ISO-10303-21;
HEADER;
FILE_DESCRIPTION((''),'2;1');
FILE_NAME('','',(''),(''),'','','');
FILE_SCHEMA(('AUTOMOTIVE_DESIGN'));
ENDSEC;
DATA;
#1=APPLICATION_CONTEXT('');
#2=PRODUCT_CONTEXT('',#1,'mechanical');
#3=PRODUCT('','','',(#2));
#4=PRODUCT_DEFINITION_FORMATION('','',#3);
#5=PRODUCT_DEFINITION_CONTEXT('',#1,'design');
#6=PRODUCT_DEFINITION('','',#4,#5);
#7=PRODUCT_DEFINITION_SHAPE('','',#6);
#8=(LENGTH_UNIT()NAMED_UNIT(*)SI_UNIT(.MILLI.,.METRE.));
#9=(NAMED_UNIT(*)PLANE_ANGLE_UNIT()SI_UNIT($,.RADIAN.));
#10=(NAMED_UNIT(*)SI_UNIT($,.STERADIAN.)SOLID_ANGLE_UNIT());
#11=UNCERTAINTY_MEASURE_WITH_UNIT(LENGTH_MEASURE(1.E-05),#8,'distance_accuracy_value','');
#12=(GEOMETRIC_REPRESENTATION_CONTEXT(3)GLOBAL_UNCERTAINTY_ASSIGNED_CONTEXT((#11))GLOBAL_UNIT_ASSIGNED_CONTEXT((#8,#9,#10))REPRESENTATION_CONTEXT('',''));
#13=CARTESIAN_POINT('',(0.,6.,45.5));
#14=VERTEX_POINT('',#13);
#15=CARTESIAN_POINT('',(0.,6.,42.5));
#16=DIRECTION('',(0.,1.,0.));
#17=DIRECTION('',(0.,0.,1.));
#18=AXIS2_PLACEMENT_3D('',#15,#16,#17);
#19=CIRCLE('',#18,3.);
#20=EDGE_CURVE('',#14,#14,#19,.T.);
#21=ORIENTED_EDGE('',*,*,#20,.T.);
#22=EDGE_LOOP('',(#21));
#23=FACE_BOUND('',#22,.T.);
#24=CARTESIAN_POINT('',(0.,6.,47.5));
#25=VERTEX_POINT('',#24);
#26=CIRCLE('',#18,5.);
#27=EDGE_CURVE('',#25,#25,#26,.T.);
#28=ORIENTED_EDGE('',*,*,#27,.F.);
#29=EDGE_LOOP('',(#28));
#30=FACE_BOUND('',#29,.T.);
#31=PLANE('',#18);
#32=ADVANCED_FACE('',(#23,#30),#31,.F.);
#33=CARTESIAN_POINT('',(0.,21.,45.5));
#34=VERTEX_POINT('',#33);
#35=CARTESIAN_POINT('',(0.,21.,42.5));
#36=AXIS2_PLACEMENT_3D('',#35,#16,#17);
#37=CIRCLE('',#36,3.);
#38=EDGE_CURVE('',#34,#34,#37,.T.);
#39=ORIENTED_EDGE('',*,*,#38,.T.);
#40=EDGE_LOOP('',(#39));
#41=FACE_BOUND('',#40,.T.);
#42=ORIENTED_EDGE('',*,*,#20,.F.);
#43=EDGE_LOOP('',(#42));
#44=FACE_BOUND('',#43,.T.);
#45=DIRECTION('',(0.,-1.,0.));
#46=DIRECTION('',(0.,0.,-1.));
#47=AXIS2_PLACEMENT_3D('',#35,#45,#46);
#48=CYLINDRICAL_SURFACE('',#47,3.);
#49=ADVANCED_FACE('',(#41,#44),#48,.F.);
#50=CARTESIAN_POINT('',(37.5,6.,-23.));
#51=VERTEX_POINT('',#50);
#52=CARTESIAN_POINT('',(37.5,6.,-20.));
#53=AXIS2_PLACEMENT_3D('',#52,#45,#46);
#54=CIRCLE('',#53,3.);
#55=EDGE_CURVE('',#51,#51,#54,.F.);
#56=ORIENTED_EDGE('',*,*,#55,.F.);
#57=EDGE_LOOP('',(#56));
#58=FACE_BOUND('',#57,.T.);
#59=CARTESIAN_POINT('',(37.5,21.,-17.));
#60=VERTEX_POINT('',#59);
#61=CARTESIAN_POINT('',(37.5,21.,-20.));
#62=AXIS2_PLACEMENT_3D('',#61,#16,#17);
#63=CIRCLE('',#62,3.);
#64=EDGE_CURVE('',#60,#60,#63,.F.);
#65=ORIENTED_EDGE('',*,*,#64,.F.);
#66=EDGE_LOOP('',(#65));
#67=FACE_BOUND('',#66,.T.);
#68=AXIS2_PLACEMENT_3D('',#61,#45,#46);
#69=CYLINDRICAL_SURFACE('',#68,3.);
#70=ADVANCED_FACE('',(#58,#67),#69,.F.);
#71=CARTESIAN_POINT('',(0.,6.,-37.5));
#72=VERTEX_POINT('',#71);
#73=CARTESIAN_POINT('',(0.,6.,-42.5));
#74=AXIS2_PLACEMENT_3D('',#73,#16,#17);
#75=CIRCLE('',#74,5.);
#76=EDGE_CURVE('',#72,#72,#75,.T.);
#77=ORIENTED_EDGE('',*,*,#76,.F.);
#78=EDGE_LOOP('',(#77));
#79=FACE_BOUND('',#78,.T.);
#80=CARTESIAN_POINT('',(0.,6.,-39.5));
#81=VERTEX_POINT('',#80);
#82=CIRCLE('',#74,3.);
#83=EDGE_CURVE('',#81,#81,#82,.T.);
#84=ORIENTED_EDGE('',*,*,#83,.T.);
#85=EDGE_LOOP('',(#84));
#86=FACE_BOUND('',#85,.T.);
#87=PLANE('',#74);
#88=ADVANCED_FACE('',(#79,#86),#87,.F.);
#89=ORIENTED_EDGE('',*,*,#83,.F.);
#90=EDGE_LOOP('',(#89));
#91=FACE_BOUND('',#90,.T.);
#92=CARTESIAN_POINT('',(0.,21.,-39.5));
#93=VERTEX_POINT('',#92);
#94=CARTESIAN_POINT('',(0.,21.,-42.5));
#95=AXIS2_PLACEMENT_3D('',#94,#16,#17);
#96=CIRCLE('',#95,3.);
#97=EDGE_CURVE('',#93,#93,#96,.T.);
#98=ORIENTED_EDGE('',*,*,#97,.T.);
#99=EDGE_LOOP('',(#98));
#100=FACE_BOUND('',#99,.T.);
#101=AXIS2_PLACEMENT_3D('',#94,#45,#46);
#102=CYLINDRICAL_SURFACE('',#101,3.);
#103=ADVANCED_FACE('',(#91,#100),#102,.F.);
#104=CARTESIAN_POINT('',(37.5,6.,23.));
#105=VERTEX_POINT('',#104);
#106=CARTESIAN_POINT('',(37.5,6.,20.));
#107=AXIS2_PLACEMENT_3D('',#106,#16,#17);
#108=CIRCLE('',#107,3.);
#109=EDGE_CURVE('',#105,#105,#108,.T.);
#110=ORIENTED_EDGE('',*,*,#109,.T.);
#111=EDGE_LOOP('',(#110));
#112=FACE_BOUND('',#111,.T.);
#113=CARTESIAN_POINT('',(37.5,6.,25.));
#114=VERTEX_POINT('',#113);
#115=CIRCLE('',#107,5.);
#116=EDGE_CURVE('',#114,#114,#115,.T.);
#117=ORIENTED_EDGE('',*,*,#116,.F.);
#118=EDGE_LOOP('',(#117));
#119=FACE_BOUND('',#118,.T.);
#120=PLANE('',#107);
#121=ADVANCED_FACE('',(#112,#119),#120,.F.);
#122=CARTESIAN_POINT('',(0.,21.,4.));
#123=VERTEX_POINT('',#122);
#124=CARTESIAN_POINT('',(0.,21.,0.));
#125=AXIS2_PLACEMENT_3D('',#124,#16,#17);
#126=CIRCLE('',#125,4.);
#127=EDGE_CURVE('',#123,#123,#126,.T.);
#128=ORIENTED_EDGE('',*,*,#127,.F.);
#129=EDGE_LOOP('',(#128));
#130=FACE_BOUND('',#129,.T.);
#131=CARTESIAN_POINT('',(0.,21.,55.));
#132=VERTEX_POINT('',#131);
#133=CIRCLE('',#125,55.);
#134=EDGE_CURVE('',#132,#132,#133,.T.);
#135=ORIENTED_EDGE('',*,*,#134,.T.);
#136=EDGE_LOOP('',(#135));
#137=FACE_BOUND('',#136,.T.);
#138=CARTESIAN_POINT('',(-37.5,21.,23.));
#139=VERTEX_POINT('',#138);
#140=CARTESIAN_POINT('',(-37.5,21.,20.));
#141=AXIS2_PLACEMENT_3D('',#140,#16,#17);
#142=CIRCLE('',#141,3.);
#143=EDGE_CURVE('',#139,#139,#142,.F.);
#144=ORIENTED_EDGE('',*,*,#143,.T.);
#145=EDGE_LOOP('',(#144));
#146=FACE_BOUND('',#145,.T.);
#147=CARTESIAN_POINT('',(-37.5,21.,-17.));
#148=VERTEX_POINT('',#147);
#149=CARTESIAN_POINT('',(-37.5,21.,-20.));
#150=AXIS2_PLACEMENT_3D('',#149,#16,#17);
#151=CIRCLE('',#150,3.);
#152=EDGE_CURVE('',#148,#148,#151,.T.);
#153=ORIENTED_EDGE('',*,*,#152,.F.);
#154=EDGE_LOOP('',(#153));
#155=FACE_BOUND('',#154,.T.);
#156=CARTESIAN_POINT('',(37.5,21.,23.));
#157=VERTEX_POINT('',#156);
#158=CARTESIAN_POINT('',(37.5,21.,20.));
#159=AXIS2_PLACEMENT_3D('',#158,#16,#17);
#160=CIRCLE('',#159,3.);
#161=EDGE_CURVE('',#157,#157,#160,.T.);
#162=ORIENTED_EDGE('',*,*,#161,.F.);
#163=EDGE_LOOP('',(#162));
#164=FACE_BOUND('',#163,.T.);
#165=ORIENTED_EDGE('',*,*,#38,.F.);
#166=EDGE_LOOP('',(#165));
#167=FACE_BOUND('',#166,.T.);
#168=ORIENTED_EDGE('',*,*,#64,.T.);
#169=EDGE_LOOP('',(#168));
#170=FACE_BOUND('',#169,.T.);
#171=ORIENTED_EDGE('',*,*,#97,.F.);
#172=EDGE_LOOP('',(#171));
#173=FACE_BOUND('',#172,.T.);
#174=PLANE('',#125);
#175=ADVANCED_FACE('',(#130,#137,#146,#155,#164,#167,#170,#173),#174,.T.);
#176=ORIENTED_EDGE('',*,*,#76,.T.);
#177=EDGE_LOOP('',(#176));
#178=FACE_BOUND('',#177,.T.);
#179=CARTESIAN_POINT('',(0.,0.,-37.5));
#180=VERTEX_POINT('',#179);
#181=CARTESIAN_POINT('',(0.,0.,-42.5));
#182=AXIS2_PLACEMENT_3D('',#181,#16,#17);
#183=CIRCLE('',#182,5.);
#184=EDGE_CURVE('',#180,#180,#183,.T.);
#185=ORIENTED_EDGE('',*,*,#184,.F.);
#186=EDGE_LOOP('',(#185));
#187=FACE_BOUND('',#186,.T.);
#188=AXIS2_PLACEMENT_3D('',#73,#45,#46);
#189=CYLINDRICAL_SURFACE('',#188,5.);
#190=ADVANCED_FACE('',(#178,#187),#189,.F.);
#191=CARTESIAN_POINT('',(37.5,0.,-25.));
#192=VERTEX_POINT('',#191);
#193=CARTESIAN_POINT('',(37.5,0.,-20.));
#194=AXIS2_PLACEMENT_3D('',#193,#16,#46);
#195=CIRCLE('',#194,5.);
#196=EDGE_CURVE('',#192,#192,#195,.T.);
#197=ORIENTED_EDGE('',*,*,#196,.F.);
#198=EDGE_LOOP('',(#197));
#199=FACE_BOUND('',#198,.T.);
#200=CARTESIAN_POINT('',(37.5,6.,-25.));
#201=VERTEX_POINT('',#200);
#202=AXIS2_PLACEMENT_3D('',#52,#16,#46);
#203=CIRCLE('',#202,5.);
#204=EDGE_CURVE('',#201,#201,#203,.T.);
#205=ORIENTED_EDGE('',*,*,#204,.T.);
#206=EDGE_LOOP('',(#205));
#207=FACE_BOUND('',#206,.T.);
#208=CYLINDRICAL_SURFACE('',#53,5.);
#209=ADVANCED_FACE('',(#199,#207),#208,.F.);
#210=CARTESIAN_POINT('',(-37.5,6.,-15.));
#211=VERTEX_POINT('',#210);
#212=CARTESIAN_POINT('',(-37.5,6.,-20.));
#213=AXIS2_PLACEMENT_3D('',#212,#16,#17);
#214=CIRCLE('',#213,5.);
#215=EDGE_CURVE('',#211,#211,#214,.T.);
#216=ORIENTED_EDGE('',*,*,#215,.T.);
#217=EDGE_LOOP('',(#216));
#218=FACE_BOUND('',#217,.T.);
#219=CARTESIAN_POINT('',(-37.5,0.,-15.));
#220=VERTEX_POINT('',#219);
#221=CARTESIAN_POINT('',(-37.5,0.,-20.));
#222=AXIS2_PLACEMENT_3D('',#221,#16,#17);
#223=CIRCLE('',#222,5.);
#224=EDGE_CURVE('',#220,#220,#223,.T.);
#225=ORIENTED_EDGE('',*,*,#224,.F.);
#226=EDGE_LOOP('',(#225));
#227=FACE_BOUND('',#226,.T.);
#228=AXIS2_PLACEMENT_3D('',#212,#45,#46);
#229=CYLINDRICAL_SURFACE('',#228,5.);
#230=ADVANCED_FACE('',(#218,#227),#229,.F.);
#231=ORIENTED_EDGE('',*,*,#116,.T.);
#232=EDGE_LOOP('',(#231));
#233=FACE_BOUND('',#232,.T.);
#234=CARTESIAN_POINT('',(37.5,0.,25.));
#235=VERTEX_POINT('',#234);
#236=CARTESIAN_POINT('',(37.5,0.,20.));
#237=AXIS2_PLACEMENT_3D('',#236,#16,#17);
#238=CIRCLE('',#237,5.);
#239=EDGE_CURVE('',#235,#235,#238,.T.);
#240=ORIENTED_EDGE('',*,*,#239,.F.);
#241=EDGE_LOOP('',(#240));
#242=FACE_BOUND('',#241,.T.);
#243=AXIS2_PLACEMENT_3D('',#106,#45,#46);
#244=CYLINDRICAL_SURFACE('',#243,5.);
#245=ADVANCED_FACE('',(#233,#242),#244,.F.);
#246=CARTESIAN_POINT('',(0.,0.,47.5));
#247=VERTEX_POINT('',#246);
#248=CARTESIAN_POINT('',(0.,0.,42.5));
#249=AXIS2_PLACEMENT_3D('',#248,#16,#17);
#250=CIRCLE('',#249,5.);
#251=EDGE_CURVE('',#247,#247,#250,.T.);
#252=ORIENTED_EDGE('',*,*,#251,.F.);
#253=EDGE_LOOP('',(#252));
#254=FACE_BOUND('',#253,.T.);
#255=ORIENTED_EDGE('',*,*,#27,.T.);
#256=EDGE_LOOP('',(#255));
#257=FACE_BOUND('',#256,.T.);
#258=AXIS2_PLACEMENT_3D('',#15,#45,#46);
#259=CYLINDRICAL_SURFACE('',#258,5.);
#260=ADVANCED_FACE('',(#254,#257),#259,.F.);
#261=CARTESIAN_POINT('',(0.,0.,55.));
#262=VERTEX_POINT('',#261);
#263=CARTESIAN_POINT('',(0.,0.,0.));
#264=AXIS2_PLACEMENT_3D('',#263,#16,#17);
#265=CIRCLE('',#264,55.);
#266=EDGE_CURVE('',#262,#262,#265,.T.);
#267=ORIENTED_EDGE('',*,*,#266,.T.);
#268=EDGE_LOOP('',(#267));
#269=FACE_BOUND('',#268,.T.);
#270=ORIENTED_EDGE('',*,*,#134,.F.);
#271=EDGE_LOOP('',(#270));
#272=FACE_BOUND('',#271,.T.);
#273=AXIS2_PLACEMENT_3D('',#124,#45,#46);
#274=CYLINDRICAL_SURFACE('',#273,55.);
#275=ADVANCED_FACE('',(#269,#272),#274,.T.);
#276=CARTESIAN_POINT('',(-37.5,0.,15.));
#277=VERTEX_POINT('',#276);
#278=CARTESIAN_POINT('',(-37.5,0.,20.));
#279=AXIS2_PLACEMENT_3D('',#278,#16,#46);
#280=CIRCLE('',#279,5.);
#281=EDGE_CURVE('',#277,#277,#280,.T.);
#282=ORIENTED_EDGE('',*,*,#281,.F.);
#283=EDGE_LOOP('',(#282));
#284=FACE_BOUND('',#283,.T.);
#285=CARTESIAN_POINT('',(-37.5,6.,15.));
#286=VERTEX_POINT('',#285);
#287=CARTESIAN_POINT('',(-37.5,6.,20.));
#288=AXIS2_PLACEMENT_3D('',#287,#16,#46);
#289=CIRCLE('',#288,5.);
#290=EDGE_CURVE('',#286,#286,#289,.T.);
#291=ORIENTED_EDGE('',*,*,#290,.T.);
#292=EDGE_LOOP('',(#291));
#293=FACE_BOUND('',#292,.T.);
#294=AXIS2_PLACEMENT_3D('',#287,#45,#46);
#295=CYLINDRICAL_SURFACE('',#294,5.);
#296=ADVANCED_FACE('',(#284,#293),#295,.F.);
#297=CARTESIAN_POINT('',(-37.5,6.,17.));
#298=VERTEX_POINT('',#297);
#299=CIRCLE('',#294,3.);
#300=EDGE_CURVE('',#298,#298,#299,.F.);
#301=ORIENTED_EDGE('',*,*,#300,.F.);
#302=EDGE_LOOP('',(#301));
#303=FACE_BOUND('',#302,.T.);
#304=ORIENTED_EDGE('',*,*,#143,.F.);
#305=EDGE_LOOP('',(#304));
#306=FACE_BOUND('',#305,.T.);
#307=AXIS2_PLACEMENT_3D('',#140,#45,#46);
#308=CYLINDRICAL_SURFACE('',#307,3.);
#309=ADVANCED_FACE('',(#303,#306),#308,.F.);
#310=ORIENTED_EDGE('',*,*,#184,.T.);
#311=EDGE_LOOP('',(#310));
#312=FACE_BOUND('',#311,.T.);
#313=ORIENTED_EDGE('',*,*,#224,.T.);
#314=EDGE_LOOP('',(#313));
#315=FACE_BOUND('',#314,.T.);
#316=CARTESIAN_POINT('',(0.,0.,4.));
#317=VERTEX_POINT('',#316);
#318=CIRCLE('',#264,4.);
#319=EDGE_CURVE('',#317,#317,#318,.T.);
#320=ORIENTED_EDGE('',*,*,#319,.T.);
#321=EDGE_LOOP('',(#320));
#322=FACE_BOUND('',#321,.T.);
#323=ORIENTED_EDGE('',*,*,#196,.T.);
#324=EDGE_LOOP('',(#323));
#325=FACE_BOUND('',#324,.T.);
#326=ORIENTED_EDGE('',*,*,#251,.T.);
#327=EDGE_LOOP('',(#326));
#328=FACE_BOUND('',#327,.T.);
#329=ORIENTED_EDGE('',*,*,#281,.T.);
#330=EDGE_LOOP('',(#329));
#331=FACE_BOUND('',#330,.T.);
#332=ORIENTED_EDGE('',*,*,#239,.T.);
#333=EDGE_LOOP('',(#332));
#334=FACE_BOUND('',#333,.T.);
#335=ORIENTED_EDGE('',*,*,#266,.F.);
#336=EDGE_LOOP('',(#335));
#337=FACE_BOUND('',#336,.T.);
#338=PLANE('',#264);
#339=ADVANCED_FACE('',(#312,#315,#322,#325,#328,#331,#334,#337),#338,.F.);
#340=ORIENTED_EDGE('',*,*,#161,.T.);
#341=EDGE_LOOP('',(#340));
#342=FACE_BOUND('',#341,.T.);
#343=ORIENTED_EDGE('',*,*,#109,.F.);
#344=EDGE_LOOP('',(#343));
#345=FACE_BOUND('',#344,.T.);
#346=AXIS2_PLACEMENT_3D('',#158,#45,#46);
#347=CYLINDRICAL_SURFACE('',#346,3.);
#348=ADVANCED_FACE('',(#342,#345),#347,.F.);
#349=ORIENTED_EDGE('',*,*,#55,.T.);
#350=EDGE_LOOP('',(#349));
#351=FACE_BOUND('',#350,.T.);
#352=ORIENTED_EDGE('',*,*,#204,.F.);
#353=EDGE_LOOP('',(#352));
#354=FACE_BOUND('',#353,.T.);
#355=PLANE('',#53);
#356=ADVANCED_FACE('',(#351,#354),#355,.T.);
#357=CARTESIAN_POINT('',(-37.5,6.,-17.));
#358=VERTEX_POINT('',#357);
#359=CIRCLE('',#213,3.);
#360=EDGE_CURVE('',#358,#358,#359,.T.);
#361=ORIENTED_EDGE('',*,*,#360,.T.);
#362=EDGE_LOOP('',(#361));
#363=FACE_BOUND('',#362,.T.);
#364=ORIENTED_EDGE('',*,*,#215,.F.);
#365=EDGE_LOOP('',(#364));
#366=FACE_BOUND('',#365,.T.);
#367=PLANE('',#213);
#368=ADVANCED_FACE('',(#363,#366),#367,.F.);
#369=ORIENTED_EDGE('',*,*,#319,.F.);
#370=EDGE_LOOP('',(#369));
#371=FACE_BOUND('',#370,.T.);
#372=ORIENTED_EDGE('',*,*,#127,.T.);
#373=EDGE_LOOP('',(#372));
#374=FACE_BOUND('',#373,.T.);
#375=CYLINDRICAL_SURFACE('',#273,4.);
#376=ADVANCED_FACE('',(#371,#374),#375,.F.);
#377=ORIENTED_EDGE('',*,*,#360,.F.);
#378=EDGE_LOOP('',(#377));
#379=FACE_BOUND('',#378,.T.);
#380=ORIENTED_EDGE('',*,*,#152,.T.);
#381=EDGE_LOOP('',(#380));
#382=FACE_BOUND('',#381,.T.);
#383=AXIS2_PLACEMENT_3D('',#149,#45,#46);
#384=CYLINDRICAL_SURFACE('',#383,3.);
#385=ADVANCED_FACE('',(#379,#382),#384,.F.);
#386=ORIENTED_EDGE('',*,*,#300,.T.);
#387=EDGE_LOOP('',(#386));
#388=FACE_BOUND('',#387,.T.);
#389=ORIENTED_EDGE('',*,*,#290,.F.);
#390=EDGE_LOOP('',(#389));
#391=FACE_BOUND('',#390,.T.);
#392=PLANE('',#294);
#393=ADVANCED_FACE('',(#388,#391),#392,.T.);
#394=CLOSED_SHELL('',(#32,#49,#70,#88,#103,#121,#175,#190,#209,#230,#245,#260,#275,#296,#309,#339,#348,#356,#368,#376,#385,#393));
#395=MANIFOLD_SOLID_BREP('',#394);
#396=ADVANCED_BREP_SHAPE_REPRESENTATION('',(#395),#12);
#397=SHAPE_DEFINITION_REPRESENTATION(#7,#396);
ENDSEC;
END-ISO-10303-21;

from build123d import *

# Parameters (mm, degrees)
SKETCH1_R               = 55
SKETCH1_R_2             = 4
BOSS_EXTRUDE1_DEPTH     = 21
SKETCH2_R               = 3
CUT_EXTRUDE3_DEPTH      = 22
CUT_EXTRUDE3_DEPTH_BACK = 10
SKETCH3_R               = 5
CUT_EXTRUDE4_DEPTH      = 6


with BuildPart() as part:
    # Sketch1 → Boss-Extrude1 (new body)
    with BuildSketch(Plane(origin=(0, 0, 0), x_dir=(1, 0, 0), z_dir=(0, 1, 0))):
        Circle(SKETCH1_R)
        Circle(SKETCH1_R_2, mode=Mode.SUBTRACT)
    extrude(amount=BOSS_EXTRUDE1_DEPTH)

    # Sketch2 → Cut-Extrude3 (cut, two sides)
    with BuildSketch(Plane(origin=(0, 0, 0), x_dir=(1, 0, 0), z_dir=(0, 1, 0))) as cut_extrude3_sk:
        with Locations((37.5, 20)):
            Circle(SKETCH2_R)
        with Locations((37.5, -20)):
            Circle(SKETCH2_R)
        with Locations((-37.5, -20)):
            Circle(SKETCH2_R)
        with Locations((-37.5, 20)):
            Circle(SKETCH2_R)
        with Locations((0, 42.5)):
            Circle(SKETCH2_R)
        with Locations((0, -42.5)):
            Circle(SKETCH2_R)
    extrude(amount=CUT_EXTRUDE3_DEPTH, mode=Mode.SUBTRACT)
    extrude(cut_extrude3_sk.sketch, amount=-CUT_EXTRUDE3_DEPTH_BACK, mode=Mode.SUBTRACT)

    # Sketch3 → Cut-Extrude4 (cut)
    with BuildSketch(Plane(origin=(0, 0, 0), x_dir=(1, 0, 0), z_dir=(0, 1, 0))):
        with Locations((-37.5, 20)):
            Circle(SKETCH3_R)
        with Locations((-37.5, -20)):
            Circle(SKETCH3_R)
        with Locations((37.5, 20)):
            Circle(SKETCH3_R)
        with Locations((37.5, -20)):
            Circle(SKETCH3_R)
        with Locations((0, 42.5)):
            Circle(SKETCH3_R)
        with Locations((0, -42.5)):
            Circle(SKETCH3_R)
    extrude(amount=CUT_EXTRUDE4_DEPTH, mode=Mode.SUBTRACT)


solid = part.part
